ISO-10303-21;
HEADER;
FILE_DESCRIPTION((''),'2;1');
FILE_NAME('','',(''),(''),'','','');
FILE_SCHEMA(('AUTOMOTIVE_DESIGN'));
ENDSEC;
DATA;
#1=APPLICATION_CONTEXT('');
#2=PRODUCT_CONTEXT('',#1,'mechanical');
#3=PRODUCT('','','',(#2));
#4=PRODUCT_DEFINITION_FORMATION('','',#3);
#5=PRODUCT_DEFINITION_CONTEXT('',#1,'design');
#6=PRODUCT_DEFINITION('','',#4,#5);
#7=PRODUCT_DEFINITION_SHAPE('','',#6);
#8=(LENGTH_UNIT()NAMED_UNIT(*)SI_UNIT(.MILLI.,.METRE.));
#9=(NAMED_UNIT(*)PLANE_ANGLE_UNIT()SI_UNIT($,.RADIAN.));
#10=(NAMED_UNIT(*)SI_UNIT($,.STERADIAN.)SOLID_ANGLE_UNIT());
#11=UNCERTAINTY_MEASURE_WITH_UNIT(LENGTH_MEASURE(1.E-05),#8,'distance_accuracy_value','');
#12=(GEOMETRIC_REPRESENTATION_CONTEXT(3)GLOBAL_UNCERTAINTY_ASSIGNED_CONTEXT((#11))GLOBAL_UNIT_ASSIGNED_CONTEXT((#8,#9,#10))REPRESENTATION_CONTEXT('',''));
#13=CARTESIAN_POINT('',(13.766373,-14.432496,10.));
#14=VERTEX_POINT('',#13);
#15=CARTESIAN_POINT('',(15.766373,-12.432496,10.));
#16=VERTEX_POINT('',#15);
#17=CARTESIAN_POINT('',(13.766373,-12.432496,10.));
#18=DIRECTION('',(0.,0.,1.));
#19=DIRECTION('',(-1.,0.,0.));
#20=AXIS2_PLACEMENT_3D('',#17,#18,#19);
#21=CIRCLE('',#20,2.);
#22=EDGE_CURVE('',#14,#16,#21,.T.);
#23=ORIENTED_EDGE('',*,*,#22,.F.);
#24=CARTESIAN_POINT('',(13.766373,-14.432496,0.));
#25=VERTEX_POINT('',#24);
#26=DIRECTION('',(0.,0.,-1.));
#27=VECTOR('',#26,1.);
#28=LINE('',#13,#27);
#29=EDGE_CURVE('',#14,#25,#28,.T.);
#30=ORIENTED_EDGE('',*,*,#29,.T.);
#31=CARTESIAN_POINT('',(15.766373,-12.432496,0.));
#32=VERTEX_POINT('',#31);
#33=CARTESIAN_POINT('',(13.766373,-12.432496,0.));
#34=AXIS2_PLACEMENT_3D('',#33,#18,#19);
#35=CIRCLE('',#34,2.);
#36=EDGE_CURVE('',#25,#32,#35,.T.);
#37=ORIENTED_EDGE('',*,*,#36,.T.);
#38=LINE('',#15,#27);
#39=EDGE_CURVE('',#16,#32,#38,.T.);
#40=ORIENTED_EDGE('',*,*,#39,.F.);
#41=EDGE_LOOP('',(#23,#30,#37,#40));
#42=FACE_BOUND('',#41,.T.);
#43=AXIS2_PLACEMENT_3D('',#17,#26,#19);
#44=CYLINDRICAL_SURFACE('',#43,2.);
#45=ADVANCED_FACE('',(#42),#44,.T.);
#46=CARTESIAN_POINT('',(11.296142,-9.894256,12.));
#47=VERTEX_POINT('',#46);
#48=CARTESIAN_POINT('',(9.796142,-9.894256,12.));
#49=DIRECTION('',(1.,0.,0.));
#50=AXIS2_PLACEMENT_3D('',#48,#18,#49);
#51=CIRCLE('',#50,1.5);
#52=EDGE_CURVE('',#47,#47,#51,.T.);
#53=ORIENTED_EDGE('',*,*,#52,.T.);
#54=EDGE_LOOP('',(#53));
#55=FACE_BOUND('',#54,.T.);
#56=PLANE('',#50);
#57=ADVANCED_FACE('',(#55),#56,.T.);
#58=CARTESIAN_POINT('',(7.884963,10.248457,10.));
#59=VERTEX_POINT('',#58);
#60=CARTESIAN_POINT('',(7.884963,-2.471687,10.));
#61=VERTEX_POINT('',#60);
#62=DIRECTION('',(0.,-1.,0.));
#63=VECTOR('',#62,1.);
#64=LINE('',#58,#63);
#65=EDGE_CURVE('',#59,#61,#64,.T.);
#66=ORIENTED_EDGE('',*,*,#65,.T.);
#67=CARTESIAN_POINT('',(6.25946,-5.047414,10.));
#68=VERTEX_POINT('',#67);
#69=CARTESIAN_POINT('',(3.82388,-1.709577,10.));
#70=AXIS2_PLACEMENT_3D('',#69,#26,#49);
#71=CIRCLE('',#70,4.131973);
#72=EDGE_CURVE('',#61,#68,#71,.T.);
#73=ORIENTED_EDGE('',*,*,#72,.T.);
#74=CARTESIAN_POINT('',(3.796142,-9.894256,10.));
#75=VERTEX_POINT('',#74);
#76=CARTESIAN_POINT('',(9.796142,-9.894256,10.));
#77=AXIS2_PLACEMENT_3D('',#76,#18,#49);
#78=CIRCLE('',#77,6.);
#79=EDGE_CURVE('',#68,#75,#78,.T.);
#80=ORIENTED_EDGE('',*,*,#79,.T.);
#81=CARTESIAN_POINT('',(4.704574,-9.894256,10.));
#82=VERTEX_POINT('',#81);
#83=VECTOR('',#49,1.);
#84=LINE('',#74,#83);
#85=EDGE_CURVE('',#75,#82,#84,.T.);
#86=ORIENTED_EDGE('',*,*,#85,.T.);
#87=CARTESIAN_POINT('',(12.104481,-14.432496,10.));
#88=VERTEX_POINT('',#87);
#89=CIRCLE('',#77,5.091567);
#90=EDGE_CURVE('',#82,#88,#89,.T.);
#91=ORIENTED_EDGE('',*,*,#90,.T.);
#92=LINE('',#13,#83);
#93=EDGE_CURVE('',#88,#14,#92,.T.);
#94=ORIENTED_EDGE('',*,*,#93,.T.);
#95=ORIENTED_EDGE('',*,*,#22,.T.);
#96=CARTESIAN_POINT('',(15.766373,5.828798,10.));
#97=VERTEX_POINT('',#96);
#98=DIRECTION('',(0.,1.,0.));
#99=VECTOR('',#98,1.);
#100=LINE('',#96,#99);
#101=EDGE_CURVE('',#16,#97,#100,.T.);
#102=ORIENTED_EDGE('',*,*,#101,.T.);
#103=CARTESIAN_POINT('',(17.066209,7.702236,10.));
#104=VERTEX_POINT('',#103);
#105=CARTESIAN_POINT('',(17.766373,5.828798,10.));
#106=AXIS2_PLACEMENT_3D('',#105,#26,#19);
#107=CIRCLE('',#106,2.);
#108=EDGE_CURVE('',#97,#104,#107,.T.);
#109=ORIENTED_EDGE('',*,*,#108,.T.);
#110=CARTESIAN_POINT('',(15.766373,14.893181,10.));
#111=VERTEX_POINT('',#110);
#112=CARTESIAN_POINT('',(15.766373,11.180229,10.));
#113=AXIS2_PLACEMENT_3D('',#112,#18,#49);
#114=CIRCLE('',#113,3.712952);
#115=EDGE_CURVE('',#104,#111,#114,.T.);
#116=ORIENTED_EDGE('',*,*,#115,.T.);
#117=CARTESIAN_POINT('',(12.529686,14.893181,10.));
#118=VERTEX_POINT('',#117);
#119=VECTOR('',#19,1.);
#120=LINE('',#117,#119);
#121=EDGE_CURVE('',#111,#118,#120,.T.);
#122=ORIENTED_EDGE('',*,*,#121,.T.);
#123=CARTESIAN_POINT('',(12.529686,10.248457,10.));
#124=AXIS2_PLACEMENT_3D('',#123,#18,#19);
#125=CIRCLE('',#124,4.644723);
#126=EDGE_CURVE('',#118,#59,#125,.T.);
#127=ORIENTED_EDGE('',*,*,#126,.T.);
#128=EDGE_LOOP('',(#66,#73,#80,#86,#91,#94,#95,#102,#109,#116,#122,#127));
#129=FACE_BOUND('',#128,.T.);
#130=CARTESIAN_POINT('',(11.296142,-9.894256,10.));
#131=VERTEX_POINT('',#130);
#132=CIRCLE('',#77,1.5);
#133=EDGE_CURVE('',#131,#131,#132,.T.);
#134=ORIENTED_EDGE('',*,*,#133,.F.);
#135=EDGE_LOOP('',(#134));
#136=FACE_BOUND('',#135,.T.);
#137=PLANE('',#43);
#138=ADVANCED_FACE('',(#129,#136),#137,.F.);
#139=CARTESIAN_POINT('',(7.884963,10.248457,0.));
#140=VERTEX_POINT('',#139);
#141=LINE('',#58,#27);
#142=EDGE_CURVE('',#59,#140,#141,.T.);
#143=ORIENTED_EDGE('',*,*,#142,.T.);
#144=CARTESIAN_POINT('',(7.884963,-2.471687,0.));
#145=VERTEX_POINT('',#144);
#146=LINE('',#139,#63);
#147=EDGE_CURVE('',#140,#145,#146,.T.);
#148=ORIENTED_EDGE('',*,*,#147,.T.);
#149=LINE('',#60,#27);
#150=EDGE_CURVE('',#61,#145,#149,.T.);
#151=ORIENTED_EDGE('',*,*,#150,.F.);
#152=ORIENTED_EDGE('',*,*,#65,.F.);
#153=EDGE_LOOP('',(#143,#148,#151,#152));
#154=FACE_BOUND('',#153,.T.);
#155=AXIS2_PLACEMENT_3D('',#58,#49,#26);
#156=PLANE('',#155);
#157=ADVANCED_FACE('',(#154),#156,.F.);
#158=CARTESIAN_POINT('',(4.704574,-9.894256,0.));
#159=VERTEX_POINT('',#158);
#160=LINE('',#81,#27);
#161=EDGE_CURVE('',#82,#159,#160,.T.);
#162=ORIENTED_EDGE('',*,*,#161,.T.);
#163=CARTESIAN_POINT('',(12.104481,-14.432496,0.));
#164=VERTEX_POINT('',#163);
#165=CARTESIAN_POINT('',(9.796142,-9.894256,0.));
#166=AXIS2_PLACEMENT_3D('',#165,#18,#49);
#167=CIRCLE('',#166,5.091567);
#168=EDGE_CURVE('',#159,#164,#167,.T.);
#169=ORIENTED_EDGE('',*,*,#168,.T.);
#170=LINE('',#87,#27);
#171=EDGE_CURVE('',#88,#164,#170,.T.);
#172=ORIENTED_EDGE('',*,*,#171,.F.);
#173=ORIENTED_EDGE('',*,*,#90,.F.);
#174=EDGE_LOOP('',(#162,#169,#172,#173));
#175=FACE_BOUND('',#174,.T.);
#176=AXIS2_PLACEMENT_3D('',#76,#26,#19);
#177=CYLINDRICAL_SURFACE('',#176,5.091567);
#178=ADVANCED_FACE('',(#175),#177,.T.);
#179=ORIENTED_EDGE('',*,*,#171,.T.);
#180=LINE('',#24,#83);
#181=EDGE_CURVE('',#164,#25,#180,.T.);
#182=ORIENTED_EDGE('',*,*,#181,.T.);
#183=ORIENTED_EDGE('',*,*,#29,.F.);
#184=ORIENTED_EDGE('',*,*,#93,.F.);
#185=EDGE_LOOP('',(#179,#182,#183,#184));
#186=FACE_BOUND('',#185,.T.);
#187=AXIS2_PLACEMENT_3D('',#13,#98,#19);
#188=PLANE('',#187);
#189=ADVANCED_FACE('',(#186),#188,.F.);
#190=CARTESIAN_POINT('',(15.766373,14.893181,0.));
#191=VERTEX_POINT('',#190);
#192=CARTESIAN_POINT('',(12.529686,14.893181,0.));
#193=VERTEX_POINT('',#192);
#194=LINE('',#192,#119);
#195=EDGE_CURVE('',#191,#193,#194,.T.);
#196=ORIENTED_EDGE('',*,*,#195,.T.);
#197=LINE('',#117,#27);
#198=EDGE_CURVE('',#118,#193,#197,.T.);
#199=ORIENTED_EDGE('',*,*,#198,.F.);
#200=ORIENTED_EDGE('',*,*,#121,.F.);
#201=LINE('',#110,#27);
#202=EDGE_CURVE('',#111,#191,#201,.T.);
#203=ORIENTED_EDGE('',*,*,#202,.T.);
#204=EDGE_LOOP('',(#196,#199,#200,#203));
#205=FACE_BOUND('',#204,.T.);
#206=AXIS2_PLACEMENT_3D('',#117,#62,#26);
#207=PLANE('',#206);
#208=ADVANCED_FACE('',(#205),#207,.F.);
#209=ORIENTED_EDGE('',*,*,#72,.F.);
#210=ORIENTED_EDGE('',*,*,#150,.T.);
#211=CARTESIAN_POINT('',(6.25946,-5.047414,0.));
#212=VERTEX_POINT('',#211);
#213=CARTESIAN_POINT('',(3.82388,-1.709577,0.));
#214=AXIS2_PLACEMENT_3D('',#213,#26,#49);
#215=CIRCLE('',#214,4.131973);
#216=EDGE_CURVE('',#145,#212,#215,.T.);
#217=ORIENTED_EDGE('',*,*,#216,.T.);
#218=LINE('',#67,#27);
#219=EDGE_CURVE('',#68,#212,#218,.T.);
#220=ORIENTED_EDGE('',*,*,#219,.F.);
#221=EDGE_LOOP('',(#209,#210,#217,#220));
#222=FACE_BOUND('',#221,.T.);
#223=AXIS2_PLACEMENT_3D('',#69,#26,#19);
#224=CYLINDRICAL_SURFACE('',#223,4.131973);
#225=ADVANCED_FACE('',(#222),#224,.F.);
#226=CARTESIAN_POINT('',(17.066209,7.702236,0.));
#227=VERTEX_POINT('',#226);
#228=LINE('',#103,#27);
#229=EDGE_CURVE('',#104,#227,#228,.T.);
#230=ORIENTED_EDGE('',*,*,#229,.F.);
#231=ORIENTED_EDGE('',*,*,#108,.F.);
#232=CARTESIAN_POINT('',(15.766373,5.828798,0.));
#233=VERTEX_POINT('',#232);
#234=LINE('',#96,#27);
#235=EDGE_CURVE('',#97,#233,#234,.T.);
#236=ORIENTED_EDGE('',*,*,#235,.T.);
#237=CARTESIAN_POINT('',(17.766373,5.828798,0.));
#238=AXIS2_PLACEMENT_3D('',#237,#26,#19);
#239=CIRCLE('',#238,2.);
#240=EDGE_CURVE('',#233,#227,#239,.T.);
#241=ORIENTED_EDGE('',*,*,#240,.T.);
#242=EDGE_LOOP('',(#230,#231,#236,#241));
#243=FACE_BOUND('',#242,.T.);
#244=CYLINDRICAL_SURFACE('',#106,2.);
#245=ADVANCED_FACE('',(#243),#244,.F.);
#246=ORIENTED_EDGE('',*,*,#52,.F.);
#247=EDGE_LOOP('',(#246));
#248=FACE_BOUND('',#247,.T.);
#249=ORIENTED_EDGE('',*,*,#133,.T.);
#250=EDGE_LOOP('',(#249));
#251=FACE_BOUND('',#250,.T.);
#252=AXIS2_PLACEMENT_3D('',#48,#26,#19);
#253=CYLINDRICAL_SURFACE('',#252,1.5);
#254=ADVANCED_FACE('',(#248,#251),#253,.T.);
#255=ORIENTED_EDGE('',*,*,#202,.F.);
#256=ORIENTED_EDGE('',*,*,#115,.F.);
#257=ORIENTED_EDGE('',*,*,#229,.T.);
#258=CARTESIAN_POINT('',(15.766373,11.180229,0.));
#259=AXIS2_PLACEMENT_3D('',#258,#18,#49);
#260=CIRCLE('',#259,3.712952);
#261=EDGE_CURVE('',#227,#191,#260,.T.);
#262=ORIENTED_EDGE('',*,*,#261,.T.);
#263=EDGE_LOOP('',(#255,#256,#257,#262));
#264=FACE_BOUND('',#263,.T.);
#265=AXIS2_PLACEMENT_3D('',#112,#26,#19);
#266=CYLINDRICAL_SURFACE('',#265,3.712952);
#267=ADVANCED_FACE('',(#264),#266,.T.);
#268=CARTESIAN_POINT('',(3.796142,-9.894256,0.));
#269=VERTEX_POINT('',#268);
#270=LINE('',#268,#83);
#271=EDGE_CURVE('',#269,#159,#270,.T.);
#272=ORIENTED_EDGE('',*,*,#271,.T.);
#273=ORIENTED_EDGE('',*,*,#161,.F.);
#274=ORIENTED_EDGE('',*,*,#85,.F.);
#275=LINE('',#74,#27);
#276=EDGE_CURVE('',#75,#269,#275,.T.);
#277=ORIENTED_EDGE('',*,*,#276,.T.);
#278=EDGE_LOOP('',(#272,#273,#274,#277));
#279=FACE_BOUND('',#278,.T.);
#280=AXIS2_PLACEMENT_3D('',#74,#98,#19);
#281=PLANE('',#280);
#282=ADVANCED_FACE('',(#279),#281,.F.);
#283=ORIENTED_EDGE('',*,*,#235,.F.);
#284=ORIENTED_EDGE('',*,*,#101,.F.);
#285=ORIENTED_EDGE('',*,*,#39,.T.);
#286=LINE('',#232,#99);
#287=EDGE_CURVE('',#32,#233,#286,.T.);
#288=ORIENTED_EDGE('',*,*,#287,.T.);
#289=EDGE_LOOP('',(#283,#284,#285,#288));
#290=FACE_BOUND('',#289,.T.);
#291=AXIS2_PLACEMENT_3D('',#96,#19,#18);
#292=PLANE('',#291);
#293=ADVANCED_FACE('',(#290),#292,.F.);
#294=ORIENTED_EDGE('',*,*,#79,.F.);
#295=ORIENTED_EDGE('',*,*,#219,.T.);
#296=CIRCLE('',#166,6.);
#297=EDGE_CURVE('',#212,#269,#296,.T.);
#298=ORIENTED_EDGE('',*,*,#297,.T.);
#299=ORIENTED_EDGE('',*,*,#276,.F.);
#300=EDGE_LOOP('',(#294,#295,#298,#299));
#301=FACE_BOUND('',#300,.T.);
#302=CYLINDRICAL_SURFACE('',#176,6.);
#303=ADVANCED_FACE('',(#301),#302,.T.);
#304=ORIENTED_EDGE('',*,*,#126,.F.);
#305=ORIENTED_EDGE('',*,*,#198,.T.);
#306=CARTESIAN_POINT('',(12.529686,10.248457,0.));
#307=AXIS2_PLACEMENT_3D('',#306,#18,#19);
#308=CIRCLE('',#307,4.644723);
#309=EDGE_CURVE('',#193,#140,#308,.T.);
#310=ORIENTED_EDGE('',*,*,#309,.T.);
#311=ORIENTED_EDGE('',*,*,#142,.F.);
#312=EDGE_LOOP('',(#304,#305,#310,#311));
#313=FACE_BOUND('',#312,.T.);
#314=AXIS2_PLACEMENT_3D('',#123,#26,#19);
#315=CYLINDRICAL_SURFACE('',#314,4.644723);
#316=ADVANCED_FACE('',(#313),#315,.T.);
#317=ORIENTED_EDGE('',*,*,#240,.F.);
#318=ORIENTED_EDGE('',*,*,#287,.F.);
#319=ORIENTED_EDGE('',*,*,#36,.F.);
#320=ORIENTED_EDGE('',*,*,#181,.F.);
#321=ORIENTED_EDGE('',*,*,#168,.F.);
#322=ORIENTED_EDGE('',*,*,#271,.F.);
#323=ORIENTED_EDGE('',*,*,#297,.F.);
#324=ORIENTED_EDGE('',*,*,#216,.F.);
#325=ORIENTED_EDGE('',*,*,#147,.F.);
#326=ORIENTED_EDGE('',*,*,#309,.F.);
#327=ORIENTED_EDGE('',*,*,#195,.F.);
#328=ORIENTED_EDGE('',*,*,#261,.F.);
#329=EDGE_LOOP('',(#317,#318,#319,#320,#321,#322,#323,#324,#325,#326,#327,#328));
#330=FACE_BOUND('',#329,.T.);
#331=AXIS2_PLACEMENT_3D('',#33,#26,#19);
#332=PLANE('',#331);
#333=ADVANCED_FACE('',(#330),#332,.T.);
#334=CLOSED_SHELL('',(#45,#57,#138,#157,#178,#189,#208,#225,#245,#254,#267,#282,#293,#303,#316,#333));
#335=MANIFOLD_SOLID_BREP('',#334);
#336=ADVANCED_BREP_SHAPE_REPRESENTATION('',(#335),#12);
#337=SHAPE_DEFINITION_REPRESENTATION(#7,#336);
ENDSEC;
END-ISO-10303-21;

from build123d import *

# Parameters (mm, degrees)
BOSS_EXTRUDE2_DEPTH = 10
SKETCH3_R           = 1.5
BOSS_EXTRUDE3_DEPTH = 2


with BuildPart() as part:
    # Sketch1 → Boss-Extrude2 (new body)
    with BuildSketch(Plane.XY):
        with BuildLine():
            Line((7.884962528, 10.248457422), (7.884962528, -2.471687197))
            ThreePointArc((7.884962528, -2.471687197), (7.318196318, -3.914788011), (6.259459635, -5.047413515))
            ThreePointArc((6.259459635, -5.047413515), (4.447305875, -7.175808801), (3.796141897, -9.894255639))
            Line((3.796141897, -9.894255639), (4.70457442, -9.894255639))
            ThreePointArc((4.70457442, -9.894255639), (7.134282097, -14.234596844), (12.104480976, -14.432496496))
            Line((12.104480976, -14.432496496), (13.766372841, -14.432496496))
            ThreePointArc((13.766372841, -14.432496496), (15.180586403, -13.846710058), (15.766372841, -12.432496496))
            Line((15.766372841, -12.432496496), (15.766372841, 5.828797616))
            ThreePointArc((15.766372841, 5.828797616), (16.123155433, 6.968901362), (17.066209392, 7.702235938))
            ThreePointArc((17.066209392, 7.702235938), (19.42011278, 11.840679713), (15.766372841, 14.893180737))
            Line((15.766372841, 14.893180737), (12.529685844, 14.893180737))
            ThreePointArc((12.529685844, 14.893180737), (9.245370491, 13.532772775), (7.884962528, 10.248457422))
        make_face()
    extrude(amount=BOSS_EXTRUDE2_DEPTH)

    # Sketch3 → Boss-Extrude3 (add)
    with BuildSketch(Plane.XY.offset(10)):
        with Locations((9.796141897, -9.894255639)):
            Circle(SKETCH3_R)
    extrude(amount=BOSS_EXTRUDE3_DEPTH)


solid = part.part
